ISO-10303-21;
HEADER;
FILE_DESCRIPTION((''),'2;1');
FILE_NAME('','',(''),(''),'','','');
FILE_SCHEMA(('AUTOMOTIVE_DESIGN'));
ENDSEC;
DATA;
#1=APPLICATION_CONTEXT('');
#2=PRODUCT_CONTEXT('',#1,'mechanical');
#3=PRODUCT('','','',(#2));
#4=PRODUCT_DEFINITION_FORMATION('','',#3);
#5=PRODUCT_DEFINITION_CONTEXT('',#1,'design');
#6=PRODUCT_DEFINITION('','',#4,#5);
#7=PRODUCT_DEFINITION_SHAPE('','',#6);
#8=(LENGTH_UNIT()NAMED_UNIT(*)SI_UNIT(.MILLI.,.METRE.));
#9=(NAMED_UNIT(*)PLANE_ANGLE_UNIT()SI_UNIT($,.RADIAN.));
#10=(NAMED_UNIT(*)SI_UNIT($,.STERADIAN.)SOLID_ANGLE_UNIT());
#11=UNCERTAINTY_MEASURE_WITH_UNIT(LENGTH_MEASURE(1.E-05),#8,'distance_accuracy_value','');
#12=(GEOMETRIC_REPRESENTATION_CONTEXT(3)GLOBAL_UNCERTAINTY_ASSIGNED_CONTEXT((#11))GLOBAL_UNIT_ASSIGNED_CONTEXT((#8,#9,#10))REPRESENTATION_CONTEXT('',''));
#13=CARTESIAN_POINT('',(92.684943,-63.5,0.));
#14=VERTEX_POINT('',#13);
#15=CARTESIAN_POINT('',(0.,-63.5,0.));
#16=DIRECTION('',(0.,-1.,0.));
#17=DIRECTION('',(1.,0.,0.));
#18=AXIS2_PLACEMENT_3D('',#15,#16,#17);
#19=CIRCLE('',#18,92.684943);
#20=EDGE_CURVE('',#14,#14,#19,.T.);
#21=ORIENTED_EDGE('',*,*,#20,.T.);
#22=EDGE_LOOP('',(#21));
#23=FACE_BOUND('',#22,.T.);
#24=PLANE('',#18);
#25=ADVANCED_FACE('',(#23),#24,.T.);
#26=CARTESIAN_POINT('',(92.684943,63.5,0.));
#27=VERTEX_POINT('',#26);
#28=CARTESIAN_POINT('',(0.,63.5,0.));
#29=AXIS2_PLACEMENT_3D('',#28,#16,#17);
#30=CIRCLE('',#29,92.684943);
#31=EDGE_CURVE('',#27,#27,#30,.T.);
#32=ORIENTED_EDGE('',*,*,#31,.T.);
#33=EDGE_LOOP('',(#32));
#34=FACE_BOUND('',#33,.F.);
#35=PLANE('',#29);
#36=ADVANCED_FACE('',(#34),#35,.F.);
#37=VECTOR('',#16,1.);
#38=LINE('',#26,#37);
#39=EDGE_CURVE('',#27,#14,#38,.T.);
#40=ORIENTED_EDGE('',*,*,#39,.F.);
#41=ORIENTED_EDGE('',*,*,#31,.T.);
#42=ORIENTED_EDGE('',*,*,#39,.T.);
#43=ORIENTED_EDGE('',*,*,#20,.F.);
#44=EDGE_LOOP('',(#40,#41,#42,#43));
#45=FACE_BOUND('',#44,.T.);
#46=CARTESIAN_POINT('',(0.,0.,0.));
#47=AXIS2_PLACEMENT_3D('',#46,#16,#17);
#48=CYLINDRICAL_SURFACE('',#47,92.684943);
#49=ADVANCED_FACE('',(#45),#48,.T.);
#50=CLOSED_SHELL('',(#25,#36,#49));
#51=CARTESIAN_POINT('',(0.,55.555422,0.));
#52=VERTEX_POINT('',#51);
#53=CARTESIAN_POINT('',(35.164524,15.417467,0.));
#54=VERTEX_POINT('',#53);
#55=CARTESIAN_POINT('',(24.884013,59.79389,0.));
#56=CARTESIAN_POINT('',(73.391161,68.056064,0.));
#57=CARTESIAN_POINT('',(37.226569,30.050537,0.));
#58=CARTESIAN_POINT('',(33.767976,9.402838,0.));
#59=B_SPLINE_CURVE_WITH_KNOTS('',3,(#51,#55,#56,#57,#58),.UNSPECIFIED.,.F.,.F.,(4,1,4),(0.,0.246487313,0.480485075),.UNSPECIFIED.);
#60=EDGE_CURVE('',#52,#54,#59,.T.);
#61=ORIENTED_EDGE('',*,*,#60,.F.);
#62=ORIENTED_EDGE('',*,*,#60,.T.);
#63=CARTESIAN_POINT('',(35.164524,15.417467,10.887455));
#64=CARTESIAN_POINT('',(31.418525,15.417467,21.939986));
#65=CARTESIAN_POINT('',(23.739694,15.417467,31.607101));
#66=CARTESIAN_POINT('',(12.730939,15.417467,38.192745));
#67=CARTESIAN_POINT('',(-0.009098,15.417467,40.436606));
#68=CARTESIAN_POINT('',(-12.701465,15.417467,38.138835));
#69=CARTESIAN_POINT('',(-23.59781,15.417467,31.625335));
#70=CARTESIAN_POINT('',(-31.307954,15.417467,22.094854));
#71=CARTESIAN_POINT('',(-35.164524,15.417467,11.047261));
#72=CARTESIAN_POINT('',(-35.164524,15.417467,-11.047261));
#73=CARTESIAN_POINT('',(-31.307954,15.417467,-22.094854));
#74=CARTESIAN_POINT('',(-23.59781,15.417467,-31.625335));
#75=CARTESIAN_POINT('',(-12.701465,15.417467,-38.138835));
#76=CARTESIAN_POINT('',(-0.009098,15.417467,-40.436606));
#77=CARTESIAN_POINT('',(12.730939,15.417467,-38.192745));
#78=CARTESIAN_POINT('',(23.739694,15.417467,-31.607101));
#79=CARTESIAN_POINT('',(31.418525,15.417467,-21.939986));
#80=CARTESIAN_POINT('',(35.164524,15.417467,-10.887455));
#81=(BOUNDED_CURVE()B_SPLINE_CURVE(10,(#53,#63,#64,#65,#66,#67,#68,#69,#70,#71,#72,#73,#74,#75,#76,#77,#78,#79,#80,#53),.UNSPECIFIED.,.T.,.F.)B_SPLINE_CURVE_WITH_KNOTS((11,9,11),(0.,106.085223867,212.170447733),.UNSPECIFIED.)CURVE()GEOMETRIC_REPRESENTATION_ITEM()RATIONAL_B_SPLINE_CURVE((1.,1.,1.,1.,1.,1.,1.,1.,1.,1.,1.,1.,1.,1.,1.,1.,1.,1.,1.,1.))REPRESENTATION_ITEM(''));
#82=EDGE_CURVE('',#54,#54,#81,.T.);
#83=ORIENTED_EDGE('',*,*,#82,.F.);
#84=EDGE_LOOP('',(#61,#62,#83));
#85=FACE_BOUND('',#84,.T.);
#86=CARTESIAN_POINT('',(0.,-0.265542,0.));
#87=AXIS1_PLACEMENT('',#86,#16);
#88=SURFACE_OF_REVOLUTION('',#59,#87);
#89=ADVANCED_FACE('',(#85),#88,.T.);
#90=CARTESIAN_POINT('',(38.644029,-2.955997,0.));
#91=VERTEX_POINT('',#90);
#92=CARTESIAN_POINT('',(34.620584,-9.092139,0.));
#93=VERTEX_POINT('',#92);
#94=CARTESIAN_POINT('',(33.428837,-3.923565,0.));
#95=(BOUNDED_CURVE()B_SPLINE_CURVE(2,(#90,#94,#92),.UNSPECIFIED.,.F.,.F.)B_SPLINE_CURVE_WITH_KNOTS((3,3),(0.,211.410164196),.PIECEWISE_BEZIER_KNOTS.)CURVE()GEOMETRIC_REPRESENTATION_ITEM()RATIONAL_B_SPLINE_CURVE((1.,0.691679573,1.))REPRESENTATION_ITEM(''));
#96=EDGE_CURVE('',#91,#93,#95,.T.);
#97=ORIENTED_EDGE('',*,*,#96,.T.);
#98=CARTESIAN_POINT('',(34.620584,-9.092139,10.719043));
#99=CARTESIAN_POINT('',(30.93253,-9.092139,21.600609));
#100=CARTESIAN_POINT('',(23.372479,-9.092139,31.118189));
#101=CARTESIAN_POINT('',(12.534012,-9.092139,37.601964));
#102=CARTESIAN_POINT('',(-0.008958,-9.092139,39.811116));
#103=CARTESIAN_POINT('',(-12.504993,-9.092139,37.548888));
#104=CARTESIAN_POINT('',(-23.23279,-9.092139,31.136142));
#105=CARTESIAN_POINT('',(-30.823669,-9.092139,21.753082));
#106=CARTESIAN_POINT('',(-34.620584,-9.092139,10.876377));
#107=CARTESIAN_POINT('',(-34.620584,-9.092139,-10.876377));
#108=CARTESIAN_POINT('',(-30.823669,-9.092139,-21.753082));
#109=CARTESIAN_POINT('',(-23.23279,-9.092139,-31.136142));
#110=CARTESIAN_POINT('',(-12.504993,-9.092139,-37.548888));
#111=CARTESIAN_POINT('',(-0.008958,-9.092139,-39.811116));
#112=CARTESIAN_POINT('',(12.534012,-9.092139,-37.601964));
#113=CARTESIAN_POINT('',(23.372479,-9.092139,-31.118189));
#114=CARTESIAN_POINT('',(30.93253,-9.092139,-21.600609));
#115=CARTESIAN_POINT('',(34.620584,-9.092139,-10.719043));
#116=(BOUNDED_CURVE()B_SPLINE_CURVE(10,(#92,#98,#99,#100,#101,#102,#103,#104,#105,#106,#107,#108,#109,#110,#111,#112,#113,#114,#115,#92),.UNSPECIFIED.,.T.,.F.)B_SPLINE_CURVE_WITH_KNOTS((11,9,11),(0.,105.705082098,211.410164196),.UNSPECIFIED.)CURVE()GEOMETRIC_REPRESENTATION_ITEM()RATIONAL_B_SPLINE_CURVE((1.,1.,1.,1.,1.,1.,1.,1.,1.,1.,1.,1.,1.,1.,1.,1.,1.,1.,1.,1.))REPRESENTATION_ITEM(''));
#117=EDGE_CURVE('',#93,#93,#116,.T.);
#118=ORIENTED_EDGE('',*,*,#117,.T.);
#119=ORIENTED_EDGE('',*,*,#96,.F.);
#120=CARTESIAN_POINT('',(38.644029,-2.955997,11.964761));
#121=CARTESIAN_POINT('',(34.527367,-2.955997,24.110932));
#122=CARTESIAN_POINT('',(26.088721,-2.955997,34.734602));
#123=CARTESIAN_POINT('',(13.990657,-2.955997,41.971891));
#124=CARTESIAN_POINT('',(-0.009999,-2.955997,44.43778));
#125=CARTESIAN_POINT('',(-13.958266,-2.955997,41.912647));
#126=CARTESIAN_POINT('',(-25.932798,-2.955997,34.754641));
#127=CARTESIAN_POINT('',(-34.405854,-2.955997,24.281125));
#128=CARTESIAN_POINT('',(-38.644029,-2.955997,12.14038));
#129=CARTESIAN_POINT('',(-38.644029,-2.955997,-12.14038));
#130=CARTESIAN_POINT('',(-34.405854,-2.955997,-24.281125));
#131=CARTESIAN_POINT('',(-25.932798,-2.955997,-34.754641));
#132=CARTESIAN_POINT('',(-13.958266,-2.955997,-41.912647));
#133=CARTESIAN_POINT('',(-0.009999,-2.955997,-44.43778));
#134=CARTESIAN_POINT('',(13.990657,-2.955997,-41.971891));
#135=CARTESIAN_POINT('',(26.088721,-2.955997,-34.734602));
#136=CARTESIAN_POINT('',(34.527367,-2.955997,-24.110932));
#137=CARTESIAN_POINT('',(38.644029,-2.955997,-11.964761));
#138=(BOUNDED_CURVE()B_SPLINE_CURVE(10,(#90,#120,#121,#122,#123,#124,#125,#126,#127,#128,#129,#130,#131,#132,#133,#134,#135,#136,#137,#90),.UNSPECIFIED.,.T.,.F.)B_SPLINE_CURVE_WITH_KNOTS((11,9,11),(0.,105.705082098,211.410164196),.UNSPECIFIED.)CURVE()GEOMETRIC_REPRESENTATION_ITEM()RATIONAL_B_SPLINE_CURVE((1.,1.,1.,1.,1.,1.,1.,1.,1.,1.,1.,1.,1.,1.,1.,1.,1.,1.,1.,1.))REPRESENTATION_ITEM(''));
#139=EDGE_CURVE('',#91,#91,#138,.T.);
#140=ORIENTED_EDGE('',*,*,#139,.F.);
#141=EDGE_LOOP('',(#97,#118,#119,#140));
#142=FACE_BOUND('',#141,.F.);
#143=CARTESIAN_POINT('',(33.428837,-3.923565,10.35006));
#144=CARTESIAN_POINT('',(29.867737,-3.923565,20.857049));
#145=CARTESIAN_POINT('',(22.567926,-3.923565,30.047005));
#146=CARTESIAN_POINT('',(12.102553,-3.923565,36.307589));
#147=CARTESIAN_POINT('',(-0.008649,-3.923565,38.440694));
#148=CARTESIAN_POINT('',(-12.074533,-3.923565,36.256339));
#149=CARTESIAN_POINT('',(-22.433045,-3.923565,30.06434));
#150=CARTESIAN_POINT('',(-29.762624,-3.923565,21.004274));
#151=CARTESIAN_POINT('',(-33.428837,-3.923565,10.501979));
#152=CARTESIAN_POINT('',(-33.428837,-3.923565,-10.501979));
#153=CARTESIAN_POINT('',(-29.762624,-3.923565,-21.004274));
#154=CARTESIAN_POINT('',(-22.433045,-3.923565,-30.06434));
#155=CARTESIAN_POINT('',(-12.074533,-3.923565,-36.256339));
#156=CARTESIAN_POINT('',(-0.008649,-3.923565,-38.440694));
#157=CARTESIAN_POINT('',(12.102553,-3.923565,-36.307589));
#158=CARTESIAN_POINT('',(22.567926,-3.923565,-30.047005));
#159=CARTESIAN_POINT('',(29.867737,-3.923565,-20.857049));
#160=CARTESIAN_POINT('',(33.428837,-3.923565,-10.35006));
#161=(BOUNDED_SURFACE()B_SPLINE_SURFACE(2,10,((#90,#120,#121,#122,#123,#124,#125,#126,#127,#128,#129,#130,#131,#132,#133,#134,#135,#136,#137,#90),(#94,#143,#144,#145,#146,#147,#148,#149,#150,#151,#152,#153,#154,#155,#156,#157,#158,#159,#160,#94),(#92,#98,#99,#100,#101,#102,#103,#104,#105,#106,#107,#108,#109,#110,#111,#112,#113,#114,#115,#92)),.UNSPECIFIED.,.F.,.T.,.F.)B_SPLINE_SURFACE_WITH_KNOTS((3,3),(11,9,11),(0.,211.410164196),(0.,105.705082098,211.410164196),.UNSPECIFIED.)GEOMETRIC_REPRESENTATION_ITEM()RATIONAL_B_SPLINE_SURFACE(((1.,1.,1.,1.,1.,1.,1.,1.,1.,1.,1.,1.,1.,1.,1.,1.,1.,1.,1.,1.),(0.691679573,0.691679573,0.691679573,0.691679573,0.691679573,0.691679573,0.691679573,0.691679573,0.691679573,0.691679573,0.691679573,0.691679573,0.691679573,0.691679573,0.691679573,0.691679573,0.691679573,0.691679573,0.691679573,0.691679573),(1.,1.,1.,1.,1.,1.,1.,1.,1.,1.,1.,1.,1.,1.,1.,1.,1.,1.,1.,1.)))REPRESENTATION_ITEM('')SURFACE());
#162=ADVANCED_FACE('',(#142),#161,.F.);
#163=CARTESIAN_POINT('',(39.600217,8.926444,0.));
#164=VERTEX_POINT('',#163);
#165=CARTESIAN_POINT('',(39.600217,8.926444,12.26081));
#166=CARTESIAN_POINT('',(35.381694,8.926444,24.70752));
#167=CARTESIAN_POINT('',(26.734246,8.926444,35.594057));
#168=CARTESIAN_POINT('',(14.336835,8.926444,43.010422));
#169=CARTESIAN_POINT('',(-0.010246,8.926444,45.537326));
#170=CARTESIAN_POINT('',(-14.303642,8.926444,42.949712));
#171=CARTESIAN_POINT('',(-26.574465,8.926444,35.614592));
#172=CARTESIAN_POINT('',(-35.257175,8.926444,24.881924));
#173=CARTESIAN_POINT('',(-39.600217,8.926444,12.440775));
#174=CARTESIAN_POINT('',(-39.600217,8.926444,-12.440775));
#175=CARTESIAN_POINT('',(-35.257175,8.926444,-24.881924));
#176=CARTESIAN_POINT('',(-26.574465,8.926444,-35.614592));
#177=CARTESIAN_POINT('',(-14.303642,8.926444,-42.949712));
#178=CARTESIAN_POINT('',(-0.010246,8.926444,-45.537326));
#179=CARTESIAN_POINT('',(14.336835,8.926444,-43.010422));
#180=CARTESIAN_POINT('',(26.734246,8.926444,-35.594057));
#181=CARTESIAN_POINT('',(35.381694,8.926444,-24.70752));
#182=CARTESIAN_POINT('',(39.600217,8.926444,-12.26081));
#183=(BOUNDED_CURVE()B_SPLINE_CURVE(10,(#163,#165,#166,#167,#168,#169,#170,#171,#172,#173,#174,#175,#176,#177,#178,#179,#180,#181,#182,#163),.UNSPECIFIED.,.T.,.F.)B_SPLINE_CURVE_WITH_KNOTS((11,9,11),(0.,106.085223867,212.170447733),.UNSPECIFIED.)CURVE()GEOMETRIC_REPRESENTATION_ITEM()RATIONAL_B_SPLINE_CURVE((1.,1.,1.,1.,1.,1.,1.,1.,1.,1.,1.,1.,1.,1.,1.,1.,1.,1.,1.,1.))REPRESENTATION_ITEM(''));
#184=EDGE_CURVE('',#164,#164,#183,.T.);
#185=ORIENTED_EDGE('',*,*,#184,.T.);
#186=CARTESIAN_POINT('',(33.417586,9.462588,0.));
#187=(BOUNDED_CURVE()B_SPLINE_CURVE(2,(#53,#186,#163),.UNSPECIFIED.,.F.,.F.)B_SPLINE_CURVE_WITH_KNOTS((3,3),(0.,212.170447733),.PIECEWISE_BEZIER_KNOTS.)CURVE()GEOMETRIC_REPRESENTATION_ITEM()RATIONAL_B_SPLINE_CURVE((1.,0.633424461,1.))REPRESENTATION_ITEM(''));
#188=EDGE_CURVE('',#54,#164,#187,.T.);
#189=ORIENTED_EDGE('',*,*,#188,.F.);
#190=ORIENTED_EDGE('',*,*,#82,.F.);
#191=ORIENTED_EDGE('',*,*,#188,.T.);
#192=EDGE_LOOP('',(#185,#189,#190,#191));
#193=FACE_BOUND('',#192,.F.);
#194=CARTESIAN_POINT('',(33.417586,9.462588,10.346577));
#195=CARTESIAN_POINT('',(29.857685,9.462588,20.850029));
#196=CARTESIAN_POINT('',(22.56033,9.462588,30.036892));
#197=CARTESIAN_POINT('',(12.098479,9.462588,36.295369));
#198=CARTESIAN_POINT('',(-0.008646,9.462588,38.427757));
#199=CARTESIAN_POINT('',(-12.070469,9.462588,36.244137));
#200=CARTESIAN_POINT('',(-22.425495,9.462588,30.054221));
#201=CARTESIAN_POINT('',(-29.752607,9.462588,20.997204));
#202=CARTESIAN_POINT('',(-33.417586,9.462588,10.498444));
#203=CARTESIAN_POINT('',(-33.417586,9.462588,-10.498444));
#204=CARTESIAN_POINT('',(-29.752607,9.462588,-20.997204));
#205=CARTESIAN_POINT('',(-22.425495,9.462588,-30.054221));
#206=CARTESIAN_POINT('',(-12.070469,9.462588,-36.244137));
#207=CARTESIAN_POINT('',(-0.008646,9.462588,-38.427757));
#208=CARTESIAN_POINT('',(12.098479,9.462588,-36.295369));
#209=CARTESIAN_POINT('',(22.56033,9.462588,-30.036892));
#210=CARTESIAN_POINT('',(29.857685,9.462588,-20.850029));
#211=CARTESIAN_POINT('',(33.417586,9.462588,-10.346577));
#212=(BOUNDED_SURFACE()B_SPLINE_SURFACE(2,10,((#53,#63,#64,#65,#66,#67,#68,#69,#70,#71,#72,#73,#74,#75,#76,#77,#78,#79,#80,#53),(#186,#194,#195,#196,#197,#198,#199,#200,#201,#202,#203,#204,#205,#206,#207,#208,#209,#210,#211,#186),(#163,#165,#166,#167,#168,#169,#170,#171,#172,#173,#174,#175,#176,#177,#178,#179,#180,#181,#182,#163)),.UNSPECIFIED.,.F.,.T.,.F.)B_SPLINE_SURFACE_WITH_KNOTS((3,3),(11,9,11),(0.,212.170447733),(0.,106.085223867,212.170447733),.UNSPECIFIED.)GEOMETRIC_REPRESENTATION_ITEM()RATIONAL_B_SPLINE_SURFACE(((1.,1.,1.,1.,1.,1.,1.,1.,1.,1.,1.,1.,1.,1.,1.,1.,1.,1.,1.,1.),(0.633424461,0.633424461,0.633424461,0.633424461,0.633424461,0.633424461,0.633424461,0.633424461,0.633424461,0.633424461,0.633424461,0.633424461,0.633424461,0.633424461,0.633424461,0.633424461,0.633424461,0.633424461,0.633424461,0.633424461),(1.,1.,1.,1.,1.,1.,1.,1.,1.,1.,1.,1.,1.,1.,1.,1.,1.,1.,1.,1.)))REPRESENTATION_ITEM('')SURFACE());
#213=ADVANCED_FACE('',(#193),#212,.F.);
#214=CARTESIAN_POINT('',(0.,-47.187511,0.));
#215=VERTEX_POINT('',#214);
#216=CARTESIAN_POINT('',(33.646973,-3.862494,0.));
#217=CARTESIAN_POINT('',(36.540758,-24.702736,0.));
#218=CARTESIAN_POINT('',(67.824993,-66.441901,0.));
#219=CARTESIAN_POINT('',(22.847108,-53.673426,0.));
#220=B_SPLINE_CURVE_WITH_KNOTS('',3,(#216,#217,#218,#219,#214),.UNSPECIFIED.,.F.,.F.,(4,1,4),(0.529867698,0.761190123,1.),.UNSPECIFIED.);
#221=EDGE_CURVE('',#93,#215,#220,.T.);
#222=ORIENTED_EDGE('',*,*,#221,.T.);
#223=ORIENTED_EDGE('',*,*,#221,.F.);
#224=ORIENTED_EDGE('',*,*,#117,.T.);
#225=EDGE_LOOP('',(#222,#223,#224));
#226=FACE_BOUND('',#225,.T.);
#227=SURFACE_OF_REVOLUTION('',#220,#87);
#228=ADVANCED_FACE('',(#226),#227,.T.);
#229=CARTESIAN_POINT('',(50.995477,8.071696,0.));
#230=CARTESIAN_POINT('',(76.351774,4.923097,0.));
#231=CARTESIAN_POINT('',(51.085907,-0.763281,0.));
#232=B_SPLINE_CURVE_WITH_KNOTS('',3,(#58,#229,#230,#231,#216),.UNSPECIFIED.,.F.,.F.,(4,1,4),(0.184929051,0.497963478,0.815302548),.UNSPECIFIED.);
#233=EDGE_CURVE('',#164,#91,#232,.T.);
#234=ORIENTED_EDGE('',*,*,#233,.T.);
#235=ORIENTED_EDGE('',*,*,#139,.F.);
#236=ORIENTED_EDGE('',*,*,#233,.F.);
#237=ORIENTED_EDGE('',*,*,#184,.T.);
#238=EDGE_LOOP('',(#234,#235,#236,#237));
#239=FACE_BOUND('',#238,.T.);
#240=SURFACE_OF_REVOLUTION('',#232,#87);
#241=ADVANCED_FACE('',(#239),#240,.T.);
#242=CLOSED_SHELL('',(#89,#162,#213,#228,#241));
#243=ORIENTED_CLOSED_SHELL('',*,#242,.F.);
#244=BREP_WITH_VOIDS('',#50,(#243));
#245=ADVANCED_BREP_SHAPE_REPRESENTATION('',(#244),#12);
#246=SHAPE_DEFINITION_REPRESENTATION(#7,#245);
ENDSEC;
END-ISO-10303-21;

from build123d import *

# Parameters (mm, degrees)
F2_R     = 5.08
F3_R     = 92.6849433369
F4_DEPTH = 63.5


with BuildPart() as f1:
    # F0 (on Top) → F1 (revolve)
    with BuildSketch(Plane.XY):
        with BuildLine():
            add(Edge.make_bspline(
                [(0, 55.555421859), (24.8840127034, 59.7938904443), (73.3911612301, 68.0560637377), (37.2265693027, 30.0505371245), (33.7679755354, 9.4028379089)],
                knots=[0, 0, 0, 0, 0.2464873133, 0.4804850752, 0.4804850752, 0.4804850752, 0.4804850752], degree=3))
            Line((0, 55.555421859), (0, 11.5997837856))
            add(Edge.make_bspline(
                [(0, 11.5997837856), (11.795305595, 10.8945052523), (23.5906111899, 10.189226719), (33.7679755342, 9.4028379092)],
                knots=[0, 0, 0, 0, 0.1849290506, 0.1849290506, 0.1849290506, 0.1849290506], degree=3))
        make_face()
        with BuildLine():
            add(Edge.make_bspline(
                [(0, 11.5997837856), (11.795305595, 10.8945052523), (23.5906111899, 10.189226719), (33.7679755342, 9.4028379092)],
                knots=[0, 0, 0, 0, 0.1849290506, 0.1849290506, 0.1849290506, 0.1849290506], degree=3))
            Line((0, 11.5997837856), (0, -9.434199892))
            add(Edge.make_bspline(
                [(33.6469726445, -3.8624940343), (23.4971770517, -5.666295762), (11.7485885258, -7.550247827), (0, -9.434199892)],
                knots=[0.8153025479, 0.8153025479, 0.8153025479, 0.8153025479, 1, 1, 1, 1], degree=3))
            add(Edge.make_bspline(
                [(33.7679755354, 9.4028379089), (33.4862186228, 7.720757741), (32.9996571351, 3.3265179559), (33.2676792764, -1.1309282402), (33.6469726587, -3.8624940329)],
                knots=[0.4804850752, 0.4804850752, 0.4804850752, 0.4804850752, 0.4995478769, 0.5298676984, 0.5298676984, 0.5298676984, 0.5298676984], degree=3))
        make_face()
        with BuildLine():
            add(Edge.make_bspline(
                [(33.7679755342, 9.4028379092), (50.9954766221, 8.071696209), (76.3517739328, 4.9230972696), (51.0859067291, -0.7632809374), (33.6469726445, -3.8624940343)],
                knots=[0.1849290506, 0.1849290506, 0.1849290506, 0.1849290506, 0.4979634781, 0.8153025479, 0.8153025479, 0.8153025479, 0.8153025479], degree=3))
            add(Edge.make_bspline(
                [(33.7679755354, 9.4028379089), (33.4862186228, 7.720757741), (32.9996571351, 3.3265179559), (33.2676792764, -1.1309282402), (33.6469726587, -3.8624940329)],
                knots=[0.4804850752, 0.4804850752, 0.4804850752, 0.4804850752, 0.4995478769, 0.5298676984, 0.5298676984, 0.5298676984, 0.5298676984], degree=3))
        make_face()
        with BuildLine():
            add(Edge.make_bspline(
                [(33.6469726445, -3.8624940343), (23.4971770517, -5.666295762), (11.7485885258, -7.550247827), (0, -9.434199892)],
                knots=[0.8153025479, 0.8153025479, 0.8153025479, 0.8153025479, 1, 1, 1, 1], degree=3))
            Line((0, -9.434199892), (0, -47.1875108778))
            add(Edge.make_bspline(
                [(33.6469726587, -3.8624940329), (36.5407583141, -24.7027361152), (67.8249934472, -66.4419011922), (22.847107765, -53.6734257022), (0, -47.1875108778)],
                knots=[0.5298676984, 0.5298676984, 0.5298676984, 0.5298676984, 0.7611901228, 1, 1, 1, 1], degree=3))
        make_face()
    revolve(axis=Axis((0, -0.2655424178, 0), (0, -1, 0)))

    # F2
    f2_edges = [f1.edges().sort_by_distance(p)[0] for p in [
        (-33.767976, 9.402838, 0),
        (63.595971, 3.942528, 0),
        (51.504613, 57.585198, 0),
        (-33.646973, -3.862494, 0),
        (48.940167, -52.384771, 0),
    ]]
    fillet(f2_edges, radius=F2_R)


with BuildPart() as f4:
    # F3 (on Front) → F4 (new body, symmetric)
    with BuildSketch(Plane.XZ):
        Circle(F3_R)
    extrude(amount=F4_DEPTH, both=True)

    # F5: cut F1
    add(f1.part, mode=Mode.SUBTRACT)


solid = f4.part
